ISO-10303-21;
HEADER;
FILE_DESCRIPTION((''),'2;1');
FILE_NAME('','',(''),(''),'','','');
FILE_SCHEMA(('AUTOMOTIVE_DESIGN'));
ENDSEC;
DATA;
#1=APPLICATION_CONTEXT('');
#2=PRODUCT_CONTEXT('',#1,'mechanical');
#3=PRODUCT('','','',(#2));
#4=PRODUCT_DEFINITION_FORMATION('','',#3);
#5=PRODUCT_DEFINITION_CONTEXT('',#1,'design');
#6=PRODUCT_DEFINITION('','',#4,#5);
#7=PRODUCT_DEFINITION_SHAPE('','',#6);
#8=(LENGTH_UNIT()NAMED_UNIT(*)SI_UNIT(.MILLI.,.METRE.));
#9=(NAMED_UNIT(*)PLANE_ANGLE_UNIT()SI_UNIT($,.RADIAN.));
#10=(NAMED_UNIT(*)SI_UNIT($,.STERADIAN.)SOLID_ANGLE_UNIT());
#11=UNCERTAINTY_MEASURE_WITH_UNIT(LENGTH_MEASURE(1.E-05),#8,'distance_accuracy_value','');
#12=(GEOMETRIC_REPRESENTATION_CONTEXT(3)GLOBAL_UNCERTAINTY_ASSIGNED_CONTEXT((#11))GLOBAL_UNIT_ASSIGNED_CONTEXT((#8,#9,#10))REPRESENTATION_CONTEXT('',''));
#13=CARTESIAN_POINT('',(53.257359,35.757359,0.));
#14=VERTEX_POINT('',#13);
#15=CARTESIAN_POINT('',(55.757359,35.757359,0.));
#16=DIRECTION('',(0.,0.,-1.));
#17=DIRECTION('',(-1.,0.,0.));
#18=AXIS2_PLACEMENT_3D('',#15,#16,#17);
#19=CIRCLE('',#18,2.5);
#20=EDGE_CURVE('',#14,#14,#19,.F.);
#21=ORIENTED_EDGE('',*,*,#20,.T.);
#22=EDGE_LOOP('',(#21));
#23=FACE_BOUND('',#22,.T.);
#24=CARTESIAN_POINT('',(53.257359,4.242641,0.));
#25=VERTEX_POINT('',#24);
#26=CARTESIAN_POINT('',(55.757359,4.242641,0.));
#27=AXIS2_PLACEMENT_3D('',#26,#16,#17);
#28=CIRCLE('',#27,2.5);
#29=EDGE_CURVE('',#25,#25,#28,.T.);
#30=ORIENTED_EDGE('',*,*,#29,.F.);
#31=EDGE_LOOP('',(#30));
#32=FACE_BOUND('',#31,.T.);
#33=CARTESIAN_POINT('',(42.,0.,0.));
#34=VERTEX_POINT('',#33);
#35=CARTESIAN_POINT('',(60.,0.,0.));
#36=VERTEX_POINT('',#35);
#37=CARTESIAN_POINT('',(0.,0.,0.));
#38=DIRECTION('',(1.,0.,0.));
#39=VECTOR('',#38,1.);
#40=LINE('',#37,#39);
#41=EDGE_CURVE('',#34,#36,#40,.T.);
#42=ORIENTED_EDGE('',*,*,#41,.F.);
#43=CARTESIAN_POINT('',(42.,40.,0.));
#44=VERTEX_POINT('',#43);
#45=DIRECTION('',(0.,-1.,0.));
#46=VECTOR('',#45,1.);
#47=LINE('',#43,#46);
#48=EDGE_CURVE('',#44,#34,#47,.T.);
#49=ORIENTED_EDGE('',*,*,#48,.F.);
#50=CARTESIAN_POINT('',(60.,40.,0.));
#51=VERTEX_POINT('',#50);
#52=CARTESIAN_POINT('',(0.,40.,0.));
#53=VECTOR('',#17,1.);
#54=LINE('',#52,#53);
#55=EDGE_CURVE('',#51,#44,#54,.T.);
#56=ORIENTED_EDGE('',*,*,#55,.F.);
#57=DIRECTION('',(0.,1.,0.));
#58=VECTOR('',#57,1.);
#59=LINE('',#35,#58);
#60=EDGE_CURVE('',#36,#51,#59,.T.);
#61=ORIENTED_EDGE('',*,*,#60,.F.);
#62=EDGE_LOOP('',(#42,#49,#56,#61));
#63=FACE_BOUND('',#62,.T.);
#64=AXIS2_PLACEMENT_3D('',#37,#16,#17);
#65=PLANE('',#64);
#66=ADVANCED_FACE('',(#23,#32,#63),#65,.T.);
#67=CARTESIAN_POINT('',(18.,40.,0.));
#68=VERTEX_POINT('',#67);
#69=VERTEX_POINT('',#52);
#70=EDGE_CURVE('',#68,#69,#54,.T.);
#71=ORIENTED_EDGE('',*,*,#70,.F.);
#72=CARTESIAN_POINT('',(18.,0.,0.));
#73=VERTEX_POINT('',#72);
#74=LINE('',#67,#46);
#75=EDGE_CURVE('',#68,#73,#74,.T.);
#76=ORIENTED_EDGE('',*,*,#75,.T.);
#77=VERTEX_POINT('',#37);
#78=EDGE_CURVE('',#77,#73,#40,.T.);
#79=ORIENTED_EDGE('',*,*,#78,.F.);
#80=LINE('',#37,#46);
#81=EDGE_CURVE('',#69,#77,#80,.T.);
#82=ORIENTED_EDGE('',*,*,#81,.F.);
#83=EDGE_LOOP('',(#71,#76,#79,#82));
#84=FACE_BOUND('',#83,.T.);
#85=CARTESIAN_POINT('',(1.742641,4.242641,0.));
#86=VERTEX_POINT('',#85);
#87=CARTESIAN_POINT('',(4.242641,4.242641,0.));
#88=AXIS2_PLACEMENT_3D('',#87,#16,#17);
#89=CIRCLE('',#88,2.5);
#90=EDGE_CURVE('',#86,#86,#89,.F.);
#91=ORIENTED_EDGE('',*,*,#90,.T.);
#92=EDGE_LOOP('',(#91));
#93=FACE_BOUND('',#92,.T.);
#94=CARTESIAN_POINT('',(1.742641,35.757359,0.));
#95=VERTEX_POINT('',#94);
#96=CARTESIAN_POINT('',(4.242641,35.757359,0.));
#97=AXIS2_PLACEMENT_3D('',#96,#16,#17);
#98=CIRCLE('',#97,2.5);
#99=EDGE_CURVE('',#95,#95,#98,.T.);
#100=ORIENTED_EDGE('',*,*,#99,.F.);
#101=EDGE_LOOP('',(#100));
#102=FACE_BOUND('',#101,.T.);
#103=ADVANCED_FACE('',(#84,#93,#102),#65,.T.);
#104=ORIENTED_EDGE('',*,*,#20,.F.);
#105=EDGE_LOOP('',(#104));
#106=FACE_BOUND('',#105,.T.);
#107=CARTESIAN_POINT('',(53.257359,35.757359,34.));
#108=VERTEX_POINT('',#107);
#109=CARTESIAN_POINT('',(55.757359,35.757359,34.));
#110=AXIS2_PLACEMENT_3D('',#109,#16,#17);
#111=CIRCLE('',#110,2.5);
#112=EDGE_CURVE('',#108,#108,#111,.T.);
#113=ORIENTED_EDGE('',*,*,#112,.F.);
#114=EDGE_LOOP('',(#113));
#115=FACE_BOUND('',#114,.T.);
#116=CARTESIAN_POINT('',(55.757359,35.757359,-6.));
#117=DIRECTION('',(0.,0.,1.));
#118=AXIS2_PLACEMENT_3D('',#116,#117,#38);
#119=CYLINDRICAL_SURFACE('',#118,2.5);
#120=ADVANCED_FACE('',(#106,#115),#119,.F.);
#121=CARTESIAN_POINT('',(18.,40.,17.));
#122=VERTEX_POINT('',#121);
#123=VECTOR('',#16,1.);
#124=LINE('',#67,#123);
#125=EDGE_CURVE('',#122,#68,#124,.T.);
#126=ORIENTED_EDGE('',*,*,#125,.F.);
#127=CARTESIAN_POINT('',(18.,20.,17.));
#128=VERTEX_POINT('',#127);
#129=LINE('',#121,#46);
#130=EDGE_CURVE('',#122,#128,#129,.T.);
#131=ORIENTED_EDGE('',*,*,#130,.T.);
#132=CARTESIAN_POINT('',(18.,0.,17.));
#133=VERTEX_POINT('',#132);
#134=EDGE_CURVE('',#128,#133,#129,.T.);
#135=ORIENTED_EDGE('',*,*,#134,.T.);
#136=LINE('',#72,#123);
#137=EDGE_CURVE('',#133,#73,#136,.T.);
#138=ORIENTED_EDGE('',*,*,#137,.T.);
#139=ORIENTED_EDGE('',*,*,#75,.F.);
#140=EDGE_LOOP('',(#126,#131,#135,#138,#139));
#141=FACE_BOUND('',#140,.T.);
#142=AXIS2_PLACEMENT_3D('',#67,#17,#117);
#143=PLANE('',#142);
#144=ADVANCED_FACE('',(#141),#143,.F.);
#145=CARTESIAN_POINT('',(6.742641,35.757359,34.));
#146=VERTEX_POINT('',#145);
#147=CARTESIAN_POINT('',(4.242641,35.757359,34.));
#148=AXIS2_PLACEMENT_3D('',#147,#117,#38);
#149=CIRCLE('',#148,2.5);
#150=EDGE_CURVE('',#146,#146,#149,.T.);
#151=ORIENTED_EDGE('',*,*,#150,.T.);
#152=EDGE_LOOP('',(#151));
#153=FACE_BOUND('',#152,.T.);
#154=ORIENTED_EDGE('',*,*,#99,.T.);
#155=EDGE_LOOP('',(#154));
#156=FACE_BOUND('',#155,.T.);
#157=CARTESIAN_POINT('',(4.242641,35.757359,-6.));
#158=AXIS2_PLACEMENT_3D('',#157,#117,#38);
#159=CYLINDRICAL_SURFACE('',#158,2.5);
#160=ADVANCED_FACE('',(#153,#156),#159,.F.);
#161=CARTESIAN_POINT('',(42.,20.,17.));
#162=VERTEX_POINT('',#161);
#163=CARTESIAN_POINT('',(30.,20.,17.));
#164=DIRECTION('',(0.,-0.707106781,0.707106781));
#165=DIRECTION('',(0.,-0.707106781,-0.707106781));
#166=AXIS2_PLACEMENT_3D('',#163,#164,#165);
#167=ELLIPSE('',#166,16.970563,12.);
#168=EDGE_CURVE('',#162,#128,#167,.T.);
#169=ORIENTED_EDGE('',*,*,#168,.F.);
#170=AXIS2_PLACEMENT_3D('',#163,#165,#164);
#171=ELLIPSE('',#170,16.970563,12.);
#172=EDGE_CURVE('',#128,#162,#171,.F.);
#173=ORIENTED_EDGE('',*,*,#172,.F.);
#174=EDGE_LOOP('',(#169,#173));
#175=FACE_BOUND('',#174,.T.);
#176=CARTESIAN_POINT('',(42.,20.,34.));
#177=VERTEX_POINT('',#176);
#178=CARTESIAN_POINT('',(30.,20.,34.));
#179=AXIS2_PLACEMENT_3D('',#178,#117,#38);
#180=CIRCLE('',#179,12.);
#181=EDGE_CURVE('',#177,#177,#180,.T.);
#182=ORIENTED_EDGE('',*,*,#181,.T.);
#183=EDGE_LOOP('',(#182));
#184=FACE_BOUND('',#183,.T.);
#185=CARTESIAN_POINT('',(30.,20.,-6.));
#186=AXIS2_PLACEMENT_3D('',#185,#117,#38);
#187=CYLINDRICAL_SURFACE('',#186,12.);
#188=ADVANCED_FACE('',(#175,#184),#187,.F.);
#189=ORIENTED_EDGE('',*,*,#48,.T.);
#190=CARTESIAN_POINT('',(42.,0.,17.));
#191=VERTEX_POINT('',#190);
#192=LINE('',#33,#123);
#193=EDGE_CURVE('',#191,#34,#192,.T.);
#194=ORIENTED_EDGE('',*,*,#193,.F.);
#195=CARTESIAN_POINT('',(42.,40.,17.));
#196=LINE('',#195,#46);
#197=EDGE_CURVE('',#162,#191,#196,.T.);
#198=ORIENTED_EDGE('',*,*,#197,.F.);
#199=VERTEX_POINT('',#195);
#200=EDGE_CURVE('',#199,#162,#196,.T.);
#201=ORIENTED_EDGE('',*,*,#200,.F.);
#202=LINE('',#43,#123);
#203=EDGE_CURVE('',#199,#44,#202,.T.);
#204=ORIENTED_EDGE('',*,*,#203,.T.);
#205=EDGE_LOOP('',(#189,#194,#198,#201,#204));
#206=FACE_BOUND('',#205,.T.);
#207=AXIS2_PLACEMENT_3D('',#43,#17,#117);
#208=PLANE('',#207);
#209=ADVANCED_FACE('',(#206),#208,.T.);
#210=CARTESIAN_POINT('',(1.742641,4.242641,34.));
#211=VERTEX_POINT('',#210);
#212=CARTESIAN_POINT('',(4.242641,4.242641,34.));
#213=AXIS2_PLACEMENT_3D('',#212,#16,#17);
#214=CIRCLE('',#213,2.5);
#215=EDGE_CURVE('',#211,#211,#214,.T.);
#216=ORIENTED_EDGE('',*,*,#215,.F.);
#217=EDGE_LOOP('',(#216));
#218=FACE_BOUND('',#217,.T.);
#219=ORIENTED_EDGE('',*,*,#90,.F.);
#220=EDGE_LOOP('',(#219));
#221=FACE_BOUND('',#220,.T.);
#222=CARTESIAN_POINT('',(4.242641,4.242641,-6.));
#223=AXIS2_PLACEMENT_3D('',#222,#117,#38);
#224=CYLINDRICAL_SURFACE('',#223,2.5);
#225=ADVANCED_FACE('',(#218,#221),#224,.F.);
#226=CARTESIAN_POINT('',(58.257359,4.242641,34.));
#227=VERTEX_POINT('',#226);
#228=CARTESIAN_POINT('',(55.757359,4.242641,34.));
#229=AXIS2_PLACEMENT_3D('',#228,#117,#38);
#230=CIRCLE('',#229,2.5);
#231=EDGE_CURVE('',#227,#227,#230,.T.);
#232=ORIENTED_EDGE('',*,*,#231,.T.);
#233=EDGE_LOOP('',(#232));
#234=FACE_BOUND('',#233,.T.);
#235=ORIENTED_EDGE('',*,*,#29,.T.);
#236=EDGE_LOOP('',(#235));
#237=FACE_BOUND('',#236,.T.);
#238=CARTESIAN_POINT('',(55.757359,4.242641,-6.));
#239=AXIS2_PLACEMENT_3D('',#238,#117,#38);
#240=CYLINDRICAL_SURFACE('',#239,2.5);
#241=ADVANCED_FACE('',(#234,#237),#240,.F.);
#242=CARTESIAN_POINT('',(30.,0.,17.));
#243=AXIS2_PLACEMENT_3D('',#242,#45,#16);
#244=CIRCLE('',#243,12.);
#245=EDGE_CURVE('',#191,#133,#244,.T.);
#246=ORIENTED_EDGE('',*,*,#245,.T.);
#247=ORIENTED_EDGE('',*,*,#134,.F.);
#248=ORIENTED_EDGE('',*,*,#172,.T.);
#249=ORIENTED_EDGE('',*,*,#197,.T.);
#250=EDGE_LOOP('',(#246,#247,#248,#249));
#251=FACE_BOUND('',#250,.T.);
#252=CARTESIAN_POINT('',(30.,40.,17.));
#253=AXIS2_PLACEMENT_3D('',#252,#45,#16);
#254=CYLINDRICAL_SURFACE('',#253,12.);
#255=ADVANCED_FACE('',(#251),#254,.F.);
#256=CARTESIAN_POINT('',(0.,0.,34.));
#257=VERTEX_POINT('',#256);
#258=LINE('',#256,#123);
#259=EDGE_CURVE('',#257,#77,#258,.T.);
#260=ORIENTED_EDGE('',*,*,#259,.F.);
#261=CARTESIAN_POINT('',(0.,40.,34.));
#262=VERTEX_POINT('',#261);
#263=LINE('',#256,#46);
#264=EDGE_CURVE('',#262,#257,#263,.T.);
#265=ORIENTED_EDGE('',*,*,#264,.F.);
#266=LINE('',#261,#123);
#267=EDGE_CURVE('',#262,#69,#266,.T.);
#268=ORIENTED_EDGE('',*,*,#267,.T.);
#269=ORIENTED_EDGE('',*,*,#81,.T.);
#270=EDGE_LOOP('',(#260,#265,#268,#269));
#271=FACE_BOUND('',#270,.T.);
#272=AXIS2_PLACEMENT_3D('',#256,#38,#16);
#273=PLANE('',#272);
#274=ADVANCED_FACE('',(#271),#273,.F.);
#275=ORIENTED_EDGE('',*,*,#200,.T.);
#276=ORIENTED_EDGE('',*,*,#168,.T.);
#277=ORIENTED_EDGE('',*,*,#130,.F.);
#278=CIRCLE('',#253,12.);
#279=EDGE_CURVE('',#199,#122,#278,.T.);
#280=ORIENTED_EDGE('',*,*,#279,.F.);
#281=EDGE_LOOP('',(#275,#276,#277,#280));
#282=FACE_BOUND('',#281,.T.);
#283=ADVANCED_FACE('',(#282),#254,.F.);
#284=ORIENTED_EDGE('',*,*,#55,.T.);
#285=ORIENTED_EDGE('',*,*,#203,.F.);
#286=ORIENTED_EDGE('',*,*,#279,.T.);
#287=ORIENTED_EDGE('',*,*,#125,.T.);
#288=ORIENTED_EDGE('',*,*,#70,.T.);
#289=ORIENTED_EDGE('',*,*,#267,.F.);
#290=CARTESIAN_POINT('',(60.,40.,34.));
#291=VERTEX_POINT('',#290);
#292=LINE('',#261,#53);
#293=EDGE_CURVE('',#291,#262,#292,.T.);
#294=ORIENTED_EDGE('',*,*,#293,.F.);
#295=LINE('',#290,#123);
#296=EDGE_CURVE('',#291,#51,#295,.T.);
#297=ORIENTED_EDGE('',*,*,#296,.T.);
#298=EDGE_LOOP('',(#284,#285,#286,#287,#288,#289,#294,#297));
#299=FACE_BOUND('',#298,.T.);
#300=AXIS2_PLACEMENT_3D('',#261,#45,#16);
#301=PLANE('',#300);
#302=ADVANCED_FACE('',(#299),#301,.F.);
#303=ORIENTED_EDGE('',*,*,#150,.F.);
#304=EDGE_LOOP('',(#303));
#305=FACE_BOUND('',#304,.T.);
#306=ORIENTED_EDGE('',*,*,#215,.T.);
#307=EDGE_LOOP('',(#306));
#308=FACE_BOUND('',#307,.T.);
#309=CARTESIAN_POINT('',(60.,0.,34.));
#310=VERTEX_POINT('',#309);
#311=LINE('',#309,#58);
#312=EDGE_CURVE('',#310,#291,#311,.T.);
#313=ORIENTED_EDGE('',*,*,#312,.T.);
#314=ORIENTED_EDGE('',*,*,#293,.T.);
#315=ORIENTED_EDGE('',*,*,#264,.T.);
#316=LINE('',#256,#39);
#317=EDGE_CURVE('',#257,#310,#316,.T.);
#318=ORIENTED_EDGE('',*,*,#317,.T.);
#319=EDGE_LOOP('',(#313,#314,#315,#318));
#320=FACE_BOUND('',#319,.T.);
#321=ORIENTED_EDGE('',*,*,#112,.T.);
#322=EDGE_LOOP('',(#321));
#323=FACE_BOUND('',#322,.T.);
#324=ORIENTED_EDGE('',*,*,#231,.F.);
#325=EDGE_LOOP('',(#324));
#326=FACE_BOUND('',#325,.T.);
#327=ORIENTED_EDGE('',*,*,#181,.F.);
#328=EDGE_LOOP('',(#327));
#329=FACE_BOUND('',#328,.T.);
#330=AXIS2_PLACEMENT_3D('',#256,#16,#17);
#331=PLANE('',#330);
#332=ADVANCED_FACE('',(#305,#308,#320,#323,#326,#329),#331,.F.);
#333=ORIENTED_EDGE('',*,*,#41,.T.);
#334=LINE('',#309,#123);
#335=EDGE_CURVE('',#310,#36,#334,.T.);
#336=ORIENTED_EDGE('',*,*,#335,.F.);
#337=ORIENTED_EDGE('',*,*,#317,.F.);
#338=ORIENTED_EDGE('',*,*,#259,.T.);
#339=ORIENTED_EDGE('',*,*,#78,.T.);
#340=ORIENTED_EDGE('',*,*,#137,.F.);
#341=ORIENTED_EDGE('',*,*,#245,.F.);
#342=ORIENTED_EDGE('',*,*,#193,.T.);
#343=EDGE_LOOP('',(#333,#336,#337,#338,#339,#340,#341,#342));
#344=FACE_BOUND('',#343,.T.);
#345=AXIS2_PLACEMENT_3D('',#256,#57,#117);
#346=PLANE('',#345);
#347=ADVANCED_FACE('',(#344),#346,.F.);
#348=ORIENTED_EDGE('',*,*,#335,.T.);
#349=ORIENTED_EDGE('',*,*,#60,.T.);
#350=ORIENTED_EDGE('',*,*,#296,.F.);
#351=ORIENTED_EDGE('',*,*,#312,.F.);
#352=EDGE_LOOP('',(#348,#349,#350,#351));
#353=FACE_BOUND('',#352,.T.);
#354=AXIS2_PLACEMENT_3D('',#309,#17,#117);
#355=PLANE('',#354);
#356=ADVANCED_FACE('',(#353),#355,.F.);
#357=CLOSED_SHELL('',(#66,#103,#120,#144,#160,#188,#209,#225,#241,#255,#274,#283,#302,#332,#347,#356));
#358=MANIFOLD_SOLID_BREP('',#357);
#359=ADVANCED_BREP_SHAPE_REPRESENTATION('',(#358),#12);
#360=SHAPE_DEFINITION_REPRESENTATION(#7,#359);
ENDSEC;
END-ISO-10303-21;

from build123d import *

# Parameters (mm, degrees)
SKETCH1_W           = 60
SKETCH1_H           = 40
BOSS_EXTRUDE1_DEPTH = 34
CUT_EXTRUDE1_DEPTH  = 40
SKETCH3_R           = 12
CUT_EXTRUDE2_DEPTH  = 40
SKETCH4_R           = 2.5
CUT_EXTRUDE3_DEPTH  = 40


with BuildPart() as part:
    # Sketch1 → Boss-Extrude1 (new body)
    with BuildSketch(Plane.XY):
        with Locations((30, 20)):
            Rectangle(SKETCH1_W, SKETCH1_H)
    extrude(amount=BOSS_EXTRUDE1_DEPTH)

    # Sketch2 → Cut-Extrude1 (cut)
    with BuildSketch(Plane.XZ):
        with BuildLine():
            ThreePointArc((42, 17), (30, 29), (18, 17))
            Line((18, 17), (18, 0))
            Line((18, 0), (42, 0))
            Line((42, 0), (42, 17))
        make_face()
    extrude(amount=-CUT_EXTRUDE1_DEPTH, mode=Mode.SUBTRACT)

    # Sketch3 → Cut-Extrude2 (cut)
    with BuildSketch(Plane.XY.offset(34)):
        with Locations((30, 20)):
            Circle(SKETCH3_R)
    extrude(amount=-CUT_EXTRUDE2_DEPTH, mode=Mode.SUBTRACT)

    # Sketch4 → Cut-Extrude3 (cut)
    with BuildSketch(Plane.XY.offset(34)):
        with Locations((55.757359313, 4.242640687)):
            Circle(SKETCH4_R)
        with Locations((4.242640687, 4.242640687)):
            Circle(SKETCH4_R)
        with Locations((55.757359313, 35.757359313)):
            Circle(SKETCH4_R)
        with Locations((4.242640687, 35.757359313)):
            Circle(SKETCH4_R)
    extrude(amount=-CUT_EXTRUDE3_DEPTH, mode=Mode.SUBTRACT)


solid = part.part
